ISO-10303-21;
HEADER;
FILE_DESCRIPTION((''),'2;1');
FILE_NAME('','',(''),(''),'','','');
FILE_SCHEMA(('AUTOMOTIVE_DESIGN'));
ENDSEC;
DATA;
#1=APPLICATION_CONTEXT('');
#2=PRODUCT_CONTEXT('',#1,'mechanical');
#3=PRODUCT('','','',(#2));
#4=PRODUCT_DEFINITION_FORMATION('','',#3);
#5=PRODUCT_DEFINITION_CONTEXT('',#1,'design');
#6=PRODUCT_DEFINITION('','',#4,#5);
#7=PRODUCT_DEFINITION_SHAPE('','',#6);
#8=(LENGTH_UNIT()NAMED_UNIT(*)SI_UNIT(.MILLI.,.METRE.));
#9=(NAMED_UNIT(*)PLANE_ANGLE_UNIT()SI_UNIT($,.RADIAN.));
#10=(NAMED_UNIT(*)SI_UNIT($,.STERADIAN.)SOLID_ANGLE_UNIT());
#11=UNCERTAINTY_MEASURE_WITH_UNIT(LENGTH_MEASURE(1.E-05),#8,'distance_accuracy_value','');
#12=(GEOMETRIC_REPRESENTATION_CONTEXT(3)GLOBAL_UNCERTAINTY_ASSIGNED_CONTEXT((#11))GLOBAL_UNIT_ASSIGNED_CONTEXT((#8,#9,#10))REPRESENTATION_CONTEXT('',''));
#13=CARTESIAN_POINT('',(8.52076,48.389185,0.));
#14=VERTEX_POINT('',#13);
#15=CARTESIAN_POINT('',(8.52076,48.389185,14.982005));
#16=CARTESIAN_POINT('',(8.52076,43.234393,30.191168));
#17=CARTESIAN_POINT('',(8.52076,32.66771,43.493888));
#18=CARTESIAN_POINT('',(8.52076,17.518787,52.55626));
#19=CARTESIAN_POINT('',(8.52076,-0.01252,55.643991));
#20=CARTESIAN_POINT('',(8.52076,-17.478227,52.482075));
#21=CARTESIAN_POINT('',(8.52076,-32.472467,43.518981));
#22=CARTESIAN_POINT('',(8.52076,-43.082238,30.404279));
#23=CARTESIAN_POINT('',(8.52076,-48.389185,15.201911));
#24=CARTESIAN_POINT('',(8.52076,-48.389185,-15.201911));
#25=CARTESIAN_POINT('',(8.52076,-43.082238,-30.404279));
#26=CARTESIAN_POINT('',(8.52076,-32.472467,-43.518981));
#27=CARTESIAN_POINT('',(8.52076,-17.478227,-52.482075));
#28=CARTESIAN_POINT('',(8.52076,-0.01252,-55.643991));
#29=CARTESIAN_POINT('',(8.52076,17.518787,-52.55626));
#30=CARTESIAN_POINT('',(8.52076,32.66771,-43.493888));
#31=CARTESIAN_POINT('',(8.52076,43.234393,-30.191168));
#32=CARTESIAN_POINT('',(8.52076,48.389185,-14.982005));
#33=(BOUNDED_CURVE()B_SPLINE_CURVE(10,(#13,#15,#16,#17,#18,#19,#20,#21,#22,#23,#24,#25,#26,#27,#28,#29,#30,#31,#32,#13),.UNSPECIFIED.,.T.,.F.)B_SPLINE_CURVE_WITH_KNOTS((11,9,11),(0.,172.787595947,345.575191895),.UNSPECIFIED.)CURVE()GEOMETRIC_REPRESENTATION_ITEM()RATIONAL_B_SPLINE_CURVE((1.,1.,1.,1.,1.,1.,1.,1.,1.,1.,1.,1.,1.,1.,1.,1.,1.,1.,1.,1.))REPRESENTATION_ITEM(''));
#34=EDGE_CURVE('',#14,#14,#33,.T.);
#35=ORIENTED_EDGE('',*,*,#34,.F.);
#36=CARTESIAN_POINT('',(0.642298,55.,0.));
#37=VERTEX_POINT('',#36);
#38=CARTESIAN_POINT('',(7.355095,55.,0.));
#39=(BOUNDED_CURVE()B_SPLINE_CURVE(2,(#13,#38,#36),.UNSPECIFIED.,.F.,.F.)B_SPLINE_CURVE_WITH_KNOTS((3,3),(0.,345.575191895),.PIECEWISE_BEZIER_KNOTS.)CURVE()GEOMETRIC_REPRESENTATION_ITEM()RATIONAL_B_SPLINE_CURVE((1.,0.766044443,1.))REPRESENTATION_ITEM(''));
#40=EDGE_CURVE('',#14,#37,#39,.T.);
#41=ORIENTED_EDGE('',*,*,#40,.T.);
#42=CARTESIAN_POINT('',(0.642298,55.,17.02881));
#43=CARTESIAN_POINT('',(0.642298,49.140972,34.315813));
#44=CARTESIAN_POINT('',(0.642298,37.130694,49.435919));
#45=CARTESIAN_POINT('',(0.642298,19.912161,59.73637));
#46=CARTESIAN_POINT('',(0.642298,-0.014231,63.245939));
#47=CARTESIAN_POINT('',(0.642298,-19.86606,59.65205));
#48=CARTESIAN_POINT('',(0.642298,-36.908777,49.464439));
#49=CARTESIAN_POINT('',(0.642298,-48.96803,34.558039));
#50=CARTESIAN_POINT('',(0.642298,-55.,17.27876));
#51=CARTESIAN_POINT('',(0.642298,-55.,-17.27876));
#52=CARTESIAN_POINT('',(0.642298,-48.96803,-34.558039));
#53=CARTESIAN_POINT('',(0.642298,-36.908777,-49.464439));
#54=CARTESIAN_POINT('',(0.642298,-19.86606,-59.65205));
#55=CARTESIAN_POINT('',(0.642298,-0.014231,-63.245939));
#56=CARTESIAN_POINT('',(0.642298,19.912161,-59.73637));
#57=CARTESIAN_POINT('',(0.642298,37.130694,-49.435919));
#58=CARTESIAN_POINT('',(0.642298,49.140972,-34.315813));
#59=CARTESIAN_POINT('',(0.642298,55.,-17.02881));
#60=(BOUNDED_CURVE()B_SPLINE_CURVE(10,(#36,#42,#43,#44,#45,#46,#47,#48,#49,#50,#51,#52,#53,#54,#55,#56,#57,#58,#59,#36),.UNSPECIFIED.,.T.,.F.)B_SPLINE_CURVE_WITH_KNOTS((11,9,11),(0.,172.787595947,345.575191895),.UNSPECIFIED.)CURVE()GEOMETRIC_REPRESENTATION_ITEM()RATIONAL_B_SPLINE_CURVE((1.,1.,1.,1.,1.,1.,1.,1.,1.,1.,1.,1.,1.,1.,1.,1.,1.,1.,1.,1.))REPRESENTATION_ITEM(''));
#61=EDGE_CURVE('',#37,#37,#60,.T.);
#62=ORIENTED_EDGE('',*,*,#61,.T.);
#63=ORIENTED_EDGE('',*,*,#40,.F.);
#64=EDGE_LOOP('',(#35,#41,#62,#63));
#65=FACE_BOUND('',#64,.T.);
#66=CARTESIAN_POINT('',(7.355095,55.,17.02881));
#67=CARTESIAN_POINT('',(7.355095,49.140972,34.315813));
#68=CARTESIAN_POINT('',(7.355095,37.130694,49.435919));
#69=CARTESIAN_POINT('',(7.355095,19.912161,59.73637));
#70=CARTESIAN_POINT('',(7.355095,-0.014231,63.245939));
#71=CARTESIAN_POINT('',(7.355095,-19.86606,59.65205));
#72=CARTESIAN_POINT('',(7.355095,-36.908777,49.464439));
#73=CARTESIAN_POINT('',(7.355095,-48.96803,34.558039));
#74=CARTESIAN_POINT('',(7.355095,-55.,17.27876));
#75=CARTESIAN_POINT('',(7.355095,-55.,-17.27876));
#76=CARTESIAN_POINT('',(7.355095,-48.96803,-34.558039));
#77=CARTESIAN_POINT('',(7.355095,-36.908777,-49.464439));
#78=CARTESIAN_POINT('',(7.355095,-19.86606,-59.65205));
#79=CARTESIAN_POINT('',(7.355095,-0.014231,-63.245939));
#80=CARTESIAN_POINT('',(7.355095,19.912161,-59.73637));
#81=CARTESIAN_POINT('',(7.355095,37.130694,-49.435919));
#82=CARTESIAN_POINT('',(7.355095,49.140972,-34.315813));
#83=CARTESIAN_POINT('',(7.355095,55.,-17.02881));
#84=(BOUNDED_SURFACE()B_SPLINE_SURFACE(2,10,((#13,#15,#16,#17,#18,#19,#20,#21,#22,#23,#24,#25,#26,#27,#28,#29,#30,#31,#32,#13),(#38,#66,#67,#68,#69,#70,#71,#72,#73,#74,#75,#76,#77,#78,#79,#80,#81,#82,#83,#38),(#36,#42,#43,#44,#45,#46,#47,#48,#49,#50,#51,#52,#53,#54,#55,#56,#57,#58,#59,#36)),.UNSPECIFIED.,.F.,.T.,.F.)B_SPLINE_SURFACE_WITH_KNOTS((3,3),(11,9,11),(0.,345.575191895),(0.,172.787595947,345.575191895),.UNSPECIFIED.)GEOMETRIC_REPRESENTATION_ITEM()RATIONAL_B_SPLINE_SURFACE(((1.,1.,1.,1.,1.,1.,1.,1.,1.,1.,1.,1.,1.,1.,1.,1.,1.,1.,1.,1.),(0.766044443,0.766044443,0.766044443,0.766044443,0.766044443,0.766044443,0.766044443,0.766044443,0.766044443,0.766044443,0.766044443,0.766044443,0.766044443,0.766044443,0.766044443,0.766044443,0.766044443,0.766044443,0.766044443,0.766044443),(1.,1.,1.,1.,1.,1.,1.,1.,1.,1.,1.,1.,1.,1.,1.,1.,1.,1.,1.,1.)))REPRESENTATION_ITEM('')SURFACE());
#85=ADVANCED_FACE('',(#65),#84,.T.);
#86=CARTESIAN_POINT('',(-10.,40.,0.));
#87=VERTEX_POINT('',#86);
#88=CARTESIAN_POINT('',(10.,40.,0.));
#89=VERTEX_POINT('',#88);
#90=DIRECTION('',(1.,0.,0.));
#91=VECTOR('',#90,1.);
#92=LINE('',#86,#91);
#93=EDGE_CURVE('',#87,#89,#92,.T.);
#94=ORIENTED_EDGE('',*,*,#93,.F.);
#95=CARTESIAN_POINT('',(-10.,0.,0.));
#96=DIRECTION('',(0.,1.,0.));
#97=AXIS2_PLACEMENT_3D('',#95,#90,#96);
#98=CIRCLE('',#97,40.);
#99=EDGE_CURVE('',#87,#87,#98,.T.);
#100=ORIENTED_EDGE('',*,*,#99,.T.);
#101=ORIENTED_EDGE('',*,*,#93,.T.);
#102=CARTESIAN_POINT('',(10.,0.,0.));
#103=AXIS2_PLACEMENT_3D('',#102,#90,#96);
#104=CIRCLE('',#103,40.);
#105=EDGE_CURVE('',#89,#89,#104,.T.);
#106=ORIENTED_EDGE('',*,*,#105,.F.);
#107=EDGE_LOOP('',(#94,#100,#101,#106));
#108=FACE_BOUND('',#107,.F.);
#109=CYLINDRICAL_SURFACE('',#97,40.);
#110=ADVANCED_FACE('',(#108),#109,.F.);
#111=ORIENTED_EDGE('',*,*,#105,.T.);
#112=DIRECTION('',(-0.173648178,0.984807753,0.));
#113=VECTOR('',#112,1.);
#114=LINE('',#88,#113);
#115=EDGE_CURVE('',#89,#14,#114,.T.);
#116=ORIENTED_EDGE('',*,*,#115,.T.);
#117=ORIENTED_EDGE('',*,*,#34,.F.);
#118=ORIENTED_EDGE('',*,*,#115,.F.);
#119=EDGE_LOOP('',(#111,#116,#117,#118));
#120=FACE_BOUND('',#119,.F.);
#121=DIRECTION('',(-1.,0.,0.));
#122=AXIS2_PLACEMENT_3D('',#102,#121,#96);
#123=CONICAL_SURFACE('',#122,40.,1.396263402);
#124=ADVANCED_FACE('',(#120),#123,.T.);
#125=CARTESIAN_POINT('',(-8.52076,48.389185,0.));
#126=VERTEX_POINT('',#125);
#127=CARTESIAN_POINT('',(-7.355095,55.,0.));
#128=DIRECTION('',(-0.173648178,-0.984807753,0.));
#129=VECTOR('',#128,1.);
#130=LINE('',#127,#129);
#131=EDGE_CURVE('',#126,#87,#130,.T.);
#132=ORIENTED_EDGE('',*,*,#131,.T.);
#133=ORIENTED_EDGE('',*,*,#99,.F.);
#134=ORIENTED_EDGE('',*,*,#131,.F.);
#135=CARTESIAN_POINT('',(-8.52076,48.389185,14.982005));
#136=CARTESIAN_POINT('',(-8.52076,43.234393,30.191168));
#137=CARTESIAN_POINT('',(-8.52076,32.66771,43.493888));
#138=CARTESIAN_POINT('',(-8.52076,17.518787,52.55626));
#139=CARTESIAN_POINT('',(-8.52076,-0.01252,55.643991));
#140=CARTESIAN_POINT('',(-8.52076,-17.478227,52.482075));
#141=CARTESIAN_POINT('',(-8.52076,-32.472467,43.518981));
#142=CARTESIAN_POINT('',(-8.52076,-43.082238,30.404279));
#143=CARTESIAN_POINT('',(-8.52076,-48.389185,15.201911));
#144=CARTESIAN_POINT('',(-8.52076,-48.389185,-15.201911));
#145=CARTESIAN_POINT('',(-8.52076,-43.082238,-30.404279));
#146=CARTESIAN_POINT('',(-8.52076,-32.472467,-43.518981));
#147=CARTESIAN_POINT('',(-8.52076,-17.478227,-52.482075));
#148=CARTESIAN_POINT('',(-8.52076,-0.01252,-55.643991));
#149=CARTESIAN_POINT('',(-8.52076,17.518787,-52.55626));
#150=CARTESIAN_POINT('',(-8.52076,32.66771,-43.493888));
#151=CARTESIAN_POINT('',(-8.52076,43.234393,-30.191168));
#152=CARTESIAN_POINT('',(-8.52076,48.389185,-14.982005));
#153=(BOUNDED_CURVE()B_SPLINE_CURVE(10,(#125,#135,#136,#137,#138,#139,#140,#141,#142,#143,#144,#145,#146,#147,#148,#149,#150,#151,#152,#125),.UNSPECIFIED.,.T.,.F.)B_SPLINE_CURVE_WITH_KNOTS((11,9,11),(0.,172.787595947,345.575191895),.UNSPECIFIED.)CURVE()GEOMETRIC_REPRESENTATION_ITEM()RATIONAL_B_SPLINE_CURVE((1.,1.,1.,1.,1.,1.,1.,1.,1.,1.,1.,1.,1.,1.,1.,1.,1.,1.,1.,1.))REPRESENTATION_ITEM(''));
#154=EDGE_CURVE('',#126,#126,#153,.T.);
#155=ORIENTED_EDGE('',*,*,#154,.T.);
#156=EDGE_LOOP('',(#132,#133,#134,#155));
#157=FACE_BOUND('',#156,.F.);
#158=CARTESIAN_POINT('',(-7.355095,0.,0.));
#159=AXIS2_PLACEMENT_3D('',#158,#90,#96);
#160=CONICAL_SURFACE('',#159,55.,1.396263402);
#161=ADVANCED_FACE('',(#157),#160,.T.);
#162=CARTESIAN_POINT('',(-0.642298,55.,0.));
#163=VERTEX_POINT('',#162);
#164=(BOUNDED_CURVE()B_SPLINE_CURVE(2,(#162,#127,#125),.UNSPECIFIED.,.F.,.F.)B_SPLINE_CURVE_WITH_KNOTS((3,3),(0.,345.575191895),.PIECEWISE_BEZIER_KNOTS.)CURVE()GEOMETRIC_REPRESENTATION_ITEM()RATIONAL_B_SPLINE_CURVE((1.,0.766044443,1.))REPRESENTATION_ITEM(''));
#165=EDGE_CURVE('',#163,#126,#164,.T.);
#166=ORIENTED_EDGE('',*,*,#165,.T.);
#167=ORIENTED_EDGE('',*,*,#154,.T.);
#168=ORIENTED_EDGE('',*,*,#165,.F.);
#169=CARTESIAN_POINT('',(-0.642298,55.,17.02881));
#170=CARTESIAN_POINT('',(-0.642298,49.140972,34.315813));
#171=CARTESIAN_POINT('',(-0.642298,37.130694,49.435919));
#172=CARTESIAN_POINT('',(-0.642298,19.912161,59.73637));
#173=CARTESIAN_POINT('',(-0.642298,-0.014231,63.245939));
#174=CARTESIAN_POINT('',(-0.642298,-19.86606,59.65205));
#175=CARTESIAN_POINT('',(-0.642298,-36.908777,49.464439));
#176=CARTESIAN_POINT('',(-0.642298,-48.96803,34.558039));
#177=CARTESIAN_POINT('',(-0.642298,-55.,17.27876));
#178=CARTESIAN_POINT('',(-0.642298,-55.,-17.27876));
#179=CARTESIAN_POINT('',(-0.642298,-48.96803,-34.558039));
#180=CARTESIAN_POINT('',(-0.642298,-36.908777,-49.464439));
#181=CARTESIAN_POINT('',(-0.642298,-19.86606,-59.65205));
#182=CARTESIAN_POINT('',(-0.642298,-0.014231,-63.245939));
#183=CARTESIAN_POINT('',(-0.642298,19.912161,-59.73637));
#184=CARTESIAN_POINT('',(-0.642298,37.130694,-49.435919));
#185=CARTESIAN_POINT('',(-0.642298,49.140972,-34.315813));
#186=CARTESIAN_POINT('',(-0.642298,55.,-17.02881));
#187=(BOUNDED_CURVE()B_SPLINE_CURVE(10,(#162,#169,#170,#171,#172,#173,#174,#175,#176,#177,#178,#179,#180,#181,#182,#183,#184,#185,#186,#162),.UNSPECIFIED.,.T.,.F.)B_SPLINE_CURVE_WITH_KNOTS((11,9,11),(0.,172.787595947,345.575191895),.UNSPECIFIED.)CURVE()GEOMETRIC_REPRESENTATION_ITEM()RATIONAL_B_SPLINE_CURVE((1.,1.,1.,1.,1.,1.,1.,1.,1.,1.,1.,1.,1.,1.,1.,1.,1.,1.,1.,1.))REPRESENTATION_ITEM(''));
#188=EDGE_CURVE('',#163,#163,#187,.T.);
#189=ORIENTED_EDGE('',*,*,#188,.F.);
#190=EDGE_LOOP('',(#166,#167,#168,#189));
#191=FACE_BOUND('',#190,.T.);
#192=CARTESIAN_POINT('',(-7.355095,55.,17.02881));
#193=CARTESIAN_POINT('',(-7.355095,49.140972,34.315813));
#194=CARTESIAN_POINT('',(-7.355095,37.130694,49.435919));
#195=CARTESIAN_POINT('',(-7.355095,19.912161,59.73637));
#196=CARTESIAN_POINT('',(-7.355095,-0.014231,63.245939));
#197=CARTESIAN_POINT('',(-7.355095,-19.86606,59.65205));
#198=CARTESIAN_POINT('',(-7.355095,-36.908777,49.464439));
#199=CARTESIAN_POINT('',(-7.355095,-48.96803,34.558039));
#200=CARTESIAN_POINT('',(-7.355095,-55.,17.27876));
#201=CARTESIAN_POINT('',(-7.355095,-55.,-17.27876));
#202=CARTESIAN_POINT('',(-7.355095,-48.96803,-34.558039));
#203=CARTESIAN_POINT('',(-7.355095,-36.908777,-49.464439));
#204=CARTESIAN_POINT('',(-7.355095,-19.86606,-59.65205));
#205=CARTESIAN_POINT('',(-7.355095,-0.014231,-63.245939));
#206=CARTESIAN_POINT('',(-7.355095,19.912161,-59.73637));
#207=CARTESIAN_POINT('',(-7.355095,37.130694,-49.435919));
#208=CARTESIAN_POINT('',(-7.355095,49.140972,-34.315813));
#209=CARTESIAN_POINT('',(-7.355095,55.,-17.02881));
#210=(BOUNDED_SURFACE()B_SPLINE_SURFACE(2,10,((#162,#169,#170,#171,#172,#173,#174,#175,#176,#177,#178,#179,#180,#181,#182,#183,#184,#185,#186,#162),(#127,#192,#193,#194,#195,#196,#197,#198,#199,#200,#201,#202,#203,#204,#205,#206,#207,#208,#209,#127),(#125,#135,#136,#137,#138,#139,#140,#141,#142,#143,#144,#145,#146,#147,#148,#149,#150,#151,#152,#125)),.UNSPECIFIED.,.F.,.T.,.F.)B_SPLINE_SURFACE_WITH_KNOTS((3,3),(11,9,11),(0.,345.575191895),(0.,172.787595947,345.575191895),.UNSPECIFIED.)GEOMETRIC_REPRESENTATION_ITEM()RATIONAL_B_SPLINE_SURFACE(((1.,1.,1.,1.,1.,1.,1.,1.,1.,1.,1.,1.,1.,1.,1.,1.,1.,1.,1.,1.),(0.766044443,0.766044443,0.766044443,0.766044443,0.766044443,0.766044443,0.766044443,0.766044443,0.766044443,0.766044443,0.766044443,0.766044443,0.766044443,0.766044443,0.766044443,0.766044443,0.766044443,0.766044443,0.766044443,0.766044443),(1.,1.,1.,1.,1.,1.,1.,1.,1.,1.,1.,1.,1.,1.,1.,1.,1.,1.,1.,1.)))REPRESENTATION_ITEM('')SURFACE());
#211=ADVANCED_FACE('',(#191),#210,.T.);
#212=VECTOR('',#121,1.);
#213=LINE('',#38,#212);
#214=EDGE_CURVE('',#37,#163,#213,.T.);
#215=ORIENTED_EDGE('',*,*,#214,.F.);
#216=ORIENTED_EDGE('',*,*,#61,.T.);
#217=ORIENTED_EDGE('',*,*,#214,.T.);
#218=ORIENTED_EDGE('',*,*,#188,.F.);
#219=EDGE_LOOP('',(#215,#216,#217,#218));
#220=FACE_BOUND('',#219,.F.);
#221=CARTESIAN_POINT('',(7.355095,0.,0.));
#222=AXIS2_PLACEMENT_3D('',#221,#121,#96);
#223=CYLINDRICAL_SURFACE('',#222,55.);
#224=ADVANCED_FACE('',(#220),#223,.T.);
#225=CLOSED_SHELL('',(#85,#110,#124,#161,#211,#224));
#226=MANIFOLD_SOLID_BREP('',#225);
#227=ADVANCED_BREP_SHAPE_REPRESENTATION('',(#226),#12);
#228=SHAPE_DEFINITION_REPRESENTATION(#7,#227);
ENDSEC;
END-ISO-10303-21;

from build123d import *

# Parameters (mm, degrees)
FILLET1_R = 8
FILLET2_R = 8


with BuildPart() as part:
    # Sketch1 → Revolve1 (revolve)
    with BuildSketch(Plane.XY):
        Polygon((-10, 40), (10, 40), (7.355095289, 55), (-7.355095289, 55), align=None)
    revolve(axis=Axis((0, 0, 0), (1, 0, 0)))

    # Fillet1
    fillet1_edges = [part.edges().sort_by_distance(p)[0] for p in [
        (7.355095289, -55, 0),
    ]]
    fillet(fillet1_edges, radius=FILLET1_R)

    # Fillet2
    fillet2_edges = [part.edges().sort_by_distance(p)[0] for p in [
        (-7.355095289, -55, 0),
    ]]
    fillet(fillet2_edges, radius=FILLET2_R)


solid = part.part
